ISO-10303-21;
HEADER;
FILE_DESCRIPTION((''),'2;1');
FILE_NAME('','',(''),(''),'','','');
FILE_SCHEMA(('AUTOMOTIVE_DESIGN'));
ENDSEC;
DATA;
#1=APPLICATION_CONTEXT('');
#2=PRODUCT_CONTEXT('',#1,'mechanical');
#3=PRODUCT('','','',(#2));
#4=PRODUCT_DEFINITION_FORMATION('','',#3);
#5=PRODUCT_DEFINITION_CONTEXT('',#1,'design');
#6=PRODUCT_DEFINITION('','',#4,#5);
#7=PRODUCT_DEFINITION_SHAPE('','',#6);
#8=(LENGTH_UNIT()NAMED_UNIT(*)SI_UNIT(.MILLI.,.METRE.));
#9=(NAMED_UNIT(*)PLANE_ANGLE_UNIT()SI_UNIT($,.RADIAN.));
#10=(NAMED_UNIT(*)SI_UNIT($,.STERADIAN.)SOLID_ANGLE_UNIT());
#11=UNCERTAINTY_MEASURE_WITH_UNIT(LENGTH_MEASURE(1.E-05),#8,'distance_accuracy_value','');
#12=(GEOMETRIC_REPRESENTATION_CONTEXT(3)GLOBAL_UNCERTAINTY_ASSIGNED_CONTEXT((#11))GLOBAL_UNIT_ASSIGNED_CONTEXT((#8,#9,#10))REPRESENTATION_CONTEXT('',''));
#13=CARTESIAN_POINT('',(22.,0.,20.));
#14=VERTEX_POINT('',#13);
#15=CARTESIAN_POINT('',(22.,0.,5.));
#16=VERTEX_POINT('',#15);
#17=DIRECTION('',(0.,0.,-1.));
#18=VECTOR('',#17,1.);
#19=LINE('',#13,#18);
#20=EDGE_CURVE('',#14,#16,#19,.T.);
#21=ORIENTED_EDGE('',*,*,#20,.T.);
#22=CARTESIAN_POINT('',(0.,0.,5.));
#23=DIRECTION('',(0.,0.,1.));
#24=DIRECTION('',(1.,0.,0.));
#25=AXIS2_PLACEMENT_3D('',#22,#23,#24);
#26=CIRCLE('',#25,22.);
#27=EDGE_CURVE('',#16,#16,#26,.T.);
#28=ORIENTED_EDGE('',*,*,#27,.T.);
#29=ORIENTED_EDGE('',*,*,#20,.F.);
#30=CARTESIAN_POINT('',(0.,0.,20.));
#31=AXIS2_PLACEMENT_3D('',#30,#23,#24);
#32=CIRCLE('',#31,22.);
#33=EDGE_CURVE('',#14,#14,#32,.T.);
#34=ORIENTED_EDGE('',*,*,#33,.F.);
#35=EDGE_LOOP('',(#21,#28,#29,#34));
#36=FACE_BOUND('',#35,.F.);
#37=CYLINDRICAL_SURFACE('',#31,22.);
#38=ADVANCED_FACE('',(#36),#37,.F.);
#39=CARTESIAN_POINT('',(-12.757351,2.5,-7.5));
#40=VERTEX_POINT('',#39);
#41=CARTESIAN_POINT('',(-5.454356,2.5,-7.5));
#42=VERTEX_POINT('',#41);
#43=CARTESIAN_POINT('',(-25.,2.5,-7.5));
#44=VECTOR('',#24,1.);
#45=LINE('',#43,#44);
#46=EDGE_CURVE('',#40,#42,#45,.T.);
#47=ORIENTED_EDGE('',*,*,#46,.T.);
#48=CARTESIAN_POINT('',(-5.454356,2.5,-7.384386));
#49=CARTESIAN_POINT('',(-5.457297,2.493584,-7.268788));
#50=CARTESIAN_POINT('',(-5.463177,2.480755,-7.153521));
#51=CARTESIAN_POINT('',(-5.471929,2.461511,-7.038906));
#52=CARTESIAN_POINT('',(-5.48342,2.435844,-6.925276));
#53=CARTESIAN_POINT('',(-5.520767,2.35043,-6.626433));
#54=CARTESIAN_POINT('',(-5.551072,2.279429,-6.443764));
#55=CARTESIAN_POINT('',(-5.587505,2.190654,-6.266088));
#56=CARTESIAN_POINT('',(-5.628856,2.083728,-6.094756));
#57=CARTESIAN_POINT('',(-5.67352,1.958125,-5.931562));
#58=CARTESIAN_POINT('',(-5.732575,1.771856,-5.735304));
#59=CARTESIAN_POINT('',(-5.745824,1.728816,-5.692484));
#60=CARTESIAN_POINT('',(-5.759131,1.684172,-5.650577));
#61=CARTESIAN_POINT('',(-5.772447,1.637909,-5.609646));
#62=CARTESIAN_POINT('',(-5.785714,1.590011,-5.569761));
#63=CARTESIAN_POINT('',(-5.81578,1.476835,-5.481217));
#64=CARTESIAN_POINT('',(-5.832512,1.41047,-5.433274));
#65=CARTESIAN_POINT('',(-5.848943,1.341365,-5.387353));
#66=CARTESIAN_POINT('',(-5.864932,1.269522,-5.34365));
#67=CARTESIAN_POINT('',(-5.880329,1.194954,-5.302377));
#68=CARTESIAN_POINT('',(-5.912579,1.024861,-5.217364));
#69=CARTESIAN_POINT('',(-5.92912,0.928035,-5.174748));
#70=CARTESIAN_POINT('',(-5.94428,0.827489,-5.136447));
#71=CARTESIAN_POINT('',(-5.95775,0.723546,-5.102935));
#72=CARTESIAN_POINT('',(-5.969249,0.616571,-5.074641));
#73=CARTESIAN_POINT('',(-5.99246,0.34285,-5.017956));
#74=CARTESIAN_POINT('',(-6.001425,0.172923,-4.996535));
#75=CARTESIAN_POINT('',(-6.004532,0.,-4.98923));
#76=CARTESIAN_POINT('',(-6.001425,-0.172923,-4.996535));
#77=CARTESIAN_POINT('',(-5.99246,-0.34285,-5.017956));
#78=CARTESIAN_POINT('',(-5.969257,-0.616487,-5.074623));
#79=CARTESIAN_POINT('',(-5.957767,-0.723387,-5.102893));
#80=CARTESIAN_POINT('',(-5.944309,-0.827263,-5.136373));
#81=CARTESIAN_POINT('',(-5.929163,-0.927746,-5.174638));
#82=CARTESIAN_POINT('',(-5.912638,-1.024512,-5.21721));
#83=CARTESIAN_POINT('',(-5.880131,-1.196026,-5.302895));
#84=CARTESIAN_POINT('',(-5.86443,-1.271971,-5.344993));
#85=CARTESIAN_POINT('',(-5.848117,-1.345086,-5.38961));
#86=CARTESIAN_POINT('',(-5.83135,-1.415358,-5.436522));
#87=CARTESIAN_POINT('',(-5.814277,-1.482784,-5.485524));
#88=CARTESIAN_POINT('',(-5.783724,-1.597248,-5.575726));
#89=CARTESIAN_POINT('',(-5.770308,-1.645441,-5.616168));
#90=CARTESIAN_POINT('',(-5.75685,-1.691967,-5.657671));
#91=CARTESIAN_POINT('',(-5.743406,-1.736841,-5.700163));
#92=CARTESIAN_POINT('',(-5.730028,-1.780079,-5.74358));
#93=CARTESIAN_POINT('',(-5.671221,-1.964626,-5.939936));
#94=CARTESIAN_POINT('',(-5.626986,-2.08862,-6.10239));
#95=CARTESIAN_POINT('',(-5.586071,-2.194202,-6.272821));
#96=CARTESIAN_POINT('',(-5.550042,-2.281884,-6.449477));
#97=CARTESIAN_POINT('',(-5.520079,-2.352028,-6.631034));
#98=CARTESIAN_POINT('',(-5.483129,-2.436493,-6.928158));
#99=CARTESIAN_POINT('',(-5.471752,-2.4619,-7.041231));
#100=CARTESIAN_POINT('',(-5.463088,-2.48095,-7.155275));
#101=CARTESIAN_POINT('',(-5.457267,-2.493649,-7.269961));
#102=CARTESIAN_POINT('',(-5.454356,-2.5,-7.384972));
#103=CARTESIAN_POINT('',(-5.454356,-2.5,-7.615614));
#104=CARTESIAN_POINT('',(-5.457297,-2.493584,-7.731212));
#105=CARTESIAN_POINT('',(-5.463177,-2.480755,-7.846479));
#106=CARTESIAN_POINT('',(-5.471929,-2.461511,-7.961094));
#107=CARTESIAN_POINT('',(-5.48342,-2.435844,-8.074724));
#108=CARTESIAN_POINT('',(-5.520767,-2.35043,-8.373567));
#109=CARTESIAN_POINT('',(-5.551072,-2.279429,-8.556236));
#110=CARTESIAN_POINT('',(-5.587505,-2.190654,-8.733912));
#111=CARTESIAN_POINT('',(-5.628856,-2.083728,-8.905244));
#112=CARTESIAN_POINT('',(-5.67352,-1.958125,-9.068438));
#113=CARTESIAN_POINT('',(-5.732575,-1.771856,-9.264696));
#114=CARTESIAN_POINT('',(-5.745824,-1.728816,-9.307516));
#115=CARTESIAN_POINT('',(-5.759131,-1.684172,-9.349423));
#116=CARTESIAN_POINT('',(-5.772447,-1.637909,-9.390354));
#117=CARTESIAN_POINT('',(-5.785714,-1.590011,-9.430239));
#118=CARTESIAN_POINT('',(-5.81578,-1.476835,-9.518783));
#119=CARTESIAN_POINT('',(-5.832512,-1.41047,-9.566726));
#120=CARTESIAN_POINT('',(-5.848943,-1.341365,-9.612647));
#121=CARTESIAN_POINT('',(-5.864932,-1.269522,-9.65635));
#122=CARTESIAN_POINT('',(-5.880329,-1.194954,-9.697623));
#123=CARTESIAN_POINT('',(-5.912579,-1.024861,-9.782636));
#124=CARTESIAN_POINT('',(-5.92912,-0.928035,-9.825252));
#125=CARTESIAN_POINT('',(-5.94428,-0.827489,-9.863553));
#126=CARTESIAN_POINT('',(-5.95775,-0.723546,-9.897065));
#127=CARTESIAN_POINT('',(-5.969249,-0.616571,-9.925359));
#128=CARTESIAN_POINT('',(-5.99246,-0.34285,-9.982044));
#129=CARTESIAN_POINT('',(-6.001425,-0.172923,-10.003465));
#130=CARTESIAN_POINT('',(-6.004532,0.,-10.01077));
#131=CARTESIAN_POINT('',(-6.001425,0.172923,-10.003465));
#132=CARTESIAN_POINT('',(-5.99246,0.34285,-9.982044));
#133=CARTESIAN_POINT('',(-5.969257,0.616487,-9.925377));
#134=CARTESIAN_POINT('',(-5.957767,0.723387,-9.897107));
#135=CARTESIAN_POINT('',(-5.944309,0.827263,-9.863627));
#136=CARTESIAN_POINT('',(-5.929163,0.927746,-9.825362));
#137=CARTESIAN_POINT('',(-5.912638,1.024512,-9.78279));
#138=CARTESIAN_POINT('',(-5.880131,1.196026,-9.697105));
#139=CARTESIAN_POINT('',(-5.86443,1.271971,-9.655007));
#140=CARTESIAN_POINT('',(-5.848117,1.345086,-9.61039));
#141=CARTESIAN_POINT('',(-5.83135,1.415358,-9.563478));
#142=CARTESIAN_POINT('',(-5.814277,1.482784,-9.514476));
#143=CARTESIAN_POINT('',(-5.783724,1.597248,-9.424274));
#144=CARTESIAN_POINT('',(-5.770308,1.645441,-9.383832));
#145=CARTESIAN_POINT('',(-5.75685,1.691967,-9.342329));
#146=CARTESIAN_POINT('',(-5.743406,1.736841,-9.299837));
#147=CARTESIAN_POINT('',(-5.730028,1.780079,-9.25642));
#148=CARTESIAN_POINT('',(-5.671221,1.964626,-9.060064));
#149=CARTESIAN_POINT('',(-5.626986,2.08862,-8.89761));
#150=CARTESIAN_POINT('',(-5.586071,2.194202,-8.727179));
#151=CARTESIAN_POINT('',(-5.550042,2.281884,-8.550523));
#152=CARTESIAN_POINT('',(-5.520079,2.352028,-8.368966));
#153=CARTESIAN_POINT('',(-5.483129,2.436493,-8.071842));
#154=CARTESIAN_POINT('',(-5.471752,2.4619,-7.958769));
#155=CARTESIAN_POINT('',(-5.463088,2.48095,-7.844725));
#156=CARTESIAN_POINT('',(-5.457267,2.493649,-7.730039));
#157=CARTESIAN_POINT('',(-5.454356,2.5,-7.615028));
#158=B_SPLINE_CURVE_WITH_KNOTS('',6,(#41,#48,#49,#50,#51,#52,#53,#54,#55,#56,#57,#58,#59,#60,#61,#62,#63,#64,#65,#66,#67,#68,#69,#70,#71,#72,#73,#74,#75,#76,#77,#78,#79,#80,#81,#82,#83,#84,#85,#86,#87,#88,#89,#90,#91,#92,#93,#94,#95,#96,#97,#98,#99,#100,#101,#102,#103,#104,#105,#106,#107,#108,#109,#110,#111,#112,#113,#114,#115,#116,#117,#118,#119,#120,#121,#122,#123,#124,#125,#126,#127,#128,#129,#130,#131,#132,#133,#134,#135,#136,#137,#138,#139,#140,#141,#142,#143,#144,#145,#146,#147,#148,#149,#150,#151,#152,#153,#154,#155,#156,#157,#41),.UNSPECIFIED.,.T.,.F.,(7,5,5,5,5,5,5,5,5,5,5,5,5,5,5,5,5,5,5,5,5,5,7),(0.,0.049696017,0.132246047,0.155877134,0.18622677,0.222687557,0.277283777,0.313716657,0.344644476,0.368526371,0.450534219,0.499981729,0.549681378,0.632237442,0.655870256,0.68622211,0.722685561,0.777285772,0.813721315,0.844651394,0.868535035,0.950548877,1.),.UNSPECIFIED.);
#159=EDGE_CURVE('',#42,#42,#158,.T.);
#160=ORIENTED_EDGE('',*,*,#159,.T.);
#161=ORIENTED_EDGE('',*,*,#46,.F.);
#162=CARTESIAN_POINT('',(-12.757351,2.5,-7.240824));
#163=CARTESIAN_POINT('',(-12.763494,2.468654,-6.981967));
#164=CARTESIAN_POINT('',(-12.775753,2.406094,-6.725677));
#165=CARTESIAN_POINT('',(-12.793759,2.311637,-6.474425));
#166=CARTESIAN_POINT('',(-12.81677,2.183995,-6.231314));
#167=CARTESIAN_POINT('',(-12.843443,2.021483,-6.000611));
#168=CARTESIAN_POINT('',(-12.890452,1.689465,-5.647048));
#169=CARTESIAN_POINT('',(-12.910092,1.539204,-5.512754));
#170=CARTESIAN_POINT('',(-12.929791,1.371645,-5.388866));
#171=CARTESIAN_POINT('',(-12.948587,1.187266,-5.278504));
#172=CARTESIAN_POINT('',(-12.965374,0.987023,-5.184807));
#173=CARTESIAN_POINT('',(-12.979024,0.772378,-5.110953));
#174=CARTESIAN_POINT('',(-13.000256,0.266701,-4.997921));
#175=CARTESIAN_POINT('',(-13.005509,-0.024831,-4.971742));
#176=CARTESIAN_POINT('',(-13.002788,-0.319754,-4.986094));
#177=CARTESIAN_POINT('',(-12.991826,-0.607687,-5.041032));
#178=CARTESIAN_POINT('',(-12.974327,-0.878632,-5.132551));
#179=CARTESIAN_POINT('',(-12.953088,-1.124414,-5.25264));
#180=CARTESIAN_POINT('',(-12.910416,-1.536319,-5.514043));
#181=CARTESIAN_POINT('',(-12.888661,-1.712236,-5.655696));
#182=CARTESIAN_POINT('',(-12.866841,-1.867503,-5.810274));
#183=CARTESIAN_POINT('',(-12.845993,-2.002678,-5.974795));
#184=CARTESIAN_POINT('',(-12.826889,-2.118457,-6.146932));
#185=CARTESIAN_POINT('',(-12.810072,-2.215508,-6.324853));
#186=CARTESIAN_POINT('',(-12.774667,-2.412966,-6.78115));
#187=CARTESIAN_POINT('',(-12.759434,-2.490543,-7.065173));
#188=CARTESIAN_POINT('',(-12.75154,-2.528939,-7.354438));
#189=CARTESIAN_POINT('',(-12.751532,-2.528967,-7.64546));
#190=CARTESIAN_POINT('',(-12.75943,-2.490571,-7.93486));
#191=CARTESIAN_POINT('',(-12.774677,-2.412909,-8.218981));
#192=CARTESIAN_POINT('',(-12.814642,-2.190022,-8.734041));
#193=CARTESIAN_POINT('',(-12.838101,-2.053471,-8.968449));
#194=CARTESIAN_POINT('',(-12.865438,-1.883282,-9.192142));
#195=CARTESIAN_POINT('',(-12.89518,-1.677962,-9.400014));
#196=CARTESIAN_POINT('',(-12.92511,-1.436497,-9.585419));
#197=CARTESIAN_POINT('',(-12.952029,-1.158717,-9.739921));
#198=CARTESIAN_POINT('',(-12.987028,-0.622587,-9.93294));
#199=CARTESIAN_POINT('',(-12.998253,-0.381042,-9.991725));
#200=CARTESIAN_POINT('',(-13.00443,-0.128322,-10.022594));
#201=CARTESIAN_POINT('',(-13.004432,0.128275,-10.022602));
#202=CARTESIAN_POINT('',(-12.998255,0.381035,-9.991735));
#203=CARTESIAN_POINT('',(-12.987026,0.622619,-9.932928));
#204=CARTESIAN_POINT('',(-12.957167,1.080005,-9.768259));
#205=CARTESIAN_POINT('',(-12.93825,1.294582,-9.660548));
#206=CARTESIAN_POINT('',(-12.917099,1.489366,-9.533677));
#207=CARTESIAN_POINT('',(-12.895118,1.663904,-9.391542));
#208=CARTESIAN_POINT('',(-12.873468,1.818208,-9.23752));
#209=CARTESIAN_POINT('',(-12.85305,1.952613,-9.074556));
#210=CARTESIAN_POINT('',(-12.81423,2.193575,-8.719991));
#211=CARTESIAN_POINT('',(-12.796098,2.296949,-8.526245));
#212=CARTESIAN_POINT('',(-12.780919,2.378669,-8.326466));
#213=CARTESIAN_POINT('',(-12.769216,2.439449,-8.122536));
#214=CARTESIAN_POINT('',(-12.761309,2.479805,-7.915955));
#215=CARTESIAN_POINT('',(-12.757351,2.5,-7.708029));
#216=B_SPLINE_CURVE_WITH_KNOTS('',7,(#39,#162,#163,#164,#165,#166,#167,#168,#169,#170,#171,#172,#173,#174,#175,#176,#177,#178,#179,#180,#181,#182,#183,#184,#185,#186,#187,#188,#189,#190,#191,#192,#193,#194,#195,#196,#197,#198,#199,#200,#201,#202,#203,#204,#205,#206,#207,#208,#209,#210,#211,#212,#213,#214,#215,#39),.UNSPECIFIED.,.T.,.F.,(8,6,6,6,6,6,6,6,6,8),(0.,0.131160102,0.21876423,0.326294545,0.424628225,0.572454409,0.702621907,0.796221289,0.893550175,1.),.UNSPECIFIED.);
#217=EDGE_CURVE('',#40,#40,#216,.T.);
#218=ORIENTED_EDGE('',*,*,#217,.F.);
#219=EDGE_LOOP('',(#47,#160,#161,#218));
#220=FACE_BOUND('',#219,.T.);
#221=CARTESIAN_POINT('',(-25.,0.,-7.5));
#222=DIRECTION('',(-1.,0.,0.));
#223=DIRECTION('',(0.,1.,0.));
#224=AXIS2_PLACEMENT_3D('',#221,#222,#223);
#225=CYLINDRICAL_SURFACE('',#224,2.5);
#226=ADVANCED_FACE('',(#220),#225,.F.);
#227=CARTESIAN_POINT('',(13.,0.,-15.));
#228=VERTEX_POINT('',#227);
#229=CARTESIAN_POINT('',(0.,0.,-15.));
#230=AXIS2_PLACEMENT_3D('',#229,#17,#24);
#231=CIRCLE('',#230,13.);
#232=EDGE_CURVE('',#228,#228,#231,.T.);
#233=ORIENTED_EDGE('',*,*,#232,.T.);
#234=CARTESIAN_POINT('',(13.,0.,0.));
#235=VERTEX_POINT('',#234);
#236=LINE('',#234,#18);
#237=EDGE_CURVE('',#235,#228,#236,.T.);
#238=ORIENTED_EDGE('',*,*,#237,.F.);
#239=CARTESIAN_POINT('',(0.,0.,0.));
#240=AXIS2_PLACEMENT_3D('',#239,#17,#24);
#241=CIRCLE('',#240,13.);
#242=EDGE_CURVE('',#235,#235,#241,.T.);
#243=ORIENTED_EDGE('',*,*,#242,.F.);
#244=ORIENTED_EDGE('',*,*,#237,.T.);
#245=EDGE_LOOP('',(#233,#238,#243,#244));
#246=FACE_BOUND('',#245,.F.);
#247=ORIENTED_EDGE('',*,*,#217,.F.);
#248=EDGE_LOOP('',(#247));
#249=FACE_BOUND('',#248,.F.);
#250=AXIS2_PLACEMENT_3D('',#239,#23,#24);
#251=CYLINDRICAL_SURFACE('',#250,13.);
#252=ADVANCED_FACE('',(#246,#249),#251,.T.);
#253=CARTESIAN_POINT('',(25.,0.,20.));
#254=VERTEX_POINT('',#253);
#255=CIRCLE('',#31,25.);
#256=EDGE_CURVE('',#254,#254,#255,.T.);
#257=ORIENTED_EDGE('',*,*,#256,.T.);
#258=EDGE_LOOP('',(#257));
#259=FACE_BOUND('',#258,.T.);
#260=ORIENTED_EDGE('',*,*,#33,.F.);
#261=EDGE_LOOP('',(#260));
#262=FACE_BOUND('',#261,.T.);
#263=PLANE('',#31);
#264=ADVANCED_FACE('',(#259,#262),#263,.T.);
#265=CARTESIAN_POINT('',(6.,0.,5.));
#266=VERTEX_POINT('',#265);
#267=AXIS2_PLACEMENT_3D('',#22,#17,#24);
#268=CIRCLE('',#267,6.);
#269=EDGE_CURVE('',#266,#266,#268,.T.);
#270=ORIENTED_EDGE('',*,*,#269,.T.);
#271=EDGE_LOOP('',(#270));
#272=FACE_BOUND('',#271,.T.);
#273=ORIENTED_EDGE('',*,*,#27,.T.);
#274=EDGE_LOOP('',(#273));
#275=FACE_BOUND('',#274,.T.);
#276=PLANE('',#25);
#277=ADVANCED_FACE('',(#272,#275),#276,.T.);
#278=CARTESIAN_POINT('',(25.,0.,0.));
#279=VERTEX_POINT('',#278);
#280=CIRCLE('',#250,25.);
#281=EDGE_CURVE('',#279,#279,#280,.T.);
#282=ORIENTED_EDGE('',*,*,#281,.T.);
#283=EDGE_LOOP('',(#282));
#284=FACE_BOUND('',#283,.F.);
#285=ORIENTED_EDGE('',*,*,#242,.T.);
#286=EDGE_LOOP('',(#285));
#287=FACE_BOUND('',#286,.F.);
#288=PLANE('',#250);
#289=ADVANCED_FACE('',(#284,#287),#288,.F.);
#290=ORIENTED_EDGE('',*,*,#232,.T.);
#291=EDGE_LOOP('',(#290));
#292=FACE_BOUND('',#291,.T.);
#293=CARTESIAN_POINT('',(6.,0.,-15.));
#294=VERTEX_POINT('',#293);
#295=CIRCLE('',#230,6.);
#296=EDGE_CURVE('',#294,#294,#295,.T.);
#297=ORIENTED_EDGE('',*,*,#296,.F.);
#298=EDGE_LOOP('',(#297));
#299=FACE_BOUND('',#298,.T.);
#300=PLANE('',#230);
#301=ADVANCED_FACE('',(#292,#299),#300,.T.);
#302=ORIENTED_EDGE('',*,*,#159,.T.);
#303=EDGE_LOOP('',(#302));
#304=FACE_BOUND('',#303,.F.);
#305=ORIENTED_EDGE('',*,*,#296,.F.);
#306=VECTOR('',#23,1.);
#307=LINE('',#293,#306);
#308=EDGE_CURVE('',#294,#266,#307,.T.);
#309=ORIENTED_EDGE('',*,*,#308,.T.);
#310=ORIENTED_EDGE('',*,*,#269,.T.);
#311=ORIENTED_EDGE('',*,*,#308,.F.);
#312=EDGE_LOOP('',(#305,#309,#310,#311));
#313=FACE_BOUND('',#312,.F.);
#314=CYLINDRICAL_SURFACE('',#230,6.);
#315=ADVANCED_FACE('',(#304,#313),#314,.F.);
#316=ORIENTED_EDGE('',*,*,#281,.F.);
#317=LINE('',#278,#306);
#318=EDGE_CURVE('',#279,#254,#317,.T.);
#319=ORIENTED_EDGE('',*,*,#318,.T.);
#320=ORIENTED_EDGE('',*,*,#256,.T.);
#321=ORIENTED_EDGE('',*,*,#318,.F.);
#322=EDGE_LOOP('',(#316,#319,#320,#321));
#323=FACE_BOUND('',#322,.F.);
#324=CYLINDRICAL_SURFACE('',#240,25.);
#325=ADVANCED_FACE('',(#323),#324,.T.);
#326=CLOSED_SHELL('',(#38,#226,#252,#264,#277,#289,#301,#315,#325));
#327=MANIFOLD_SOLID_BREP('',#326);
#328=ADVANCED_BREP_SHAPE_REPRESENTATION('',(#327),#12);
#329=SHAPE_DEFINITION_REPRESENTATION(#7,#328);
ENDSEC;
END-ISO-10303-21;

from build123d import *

# Parameters (mm, degrees)
F0_R      = 25
F1_DEPTH  = 20
F2_R      = 13
F3_DEPTH  = 15
F4_R      = 22
F5_DEPTH  = 15
F6_R      = 6
F7_DEPTH  = 35.001
F9_R      = 2.5
F10_DEPTH = 25


with BuildPart() as f1:
    # F0 (on Top) → F1 (new body)
    with BuildSketch(Plane.XY):
        Circle(F0_R)
    extrude(amount=F1_DEPTH)

    # F2 (on face) → F3 (join)
    with BuildSketch(Plane(origin=(0, 0, 0), x_dir=(1, 0, 0), z_dir=(0, 0, -1))):
        Circle(F2_R)
    extrude(amount=F3_DEPTH)

    # F4 (on face) → F5 (cut)
    with BuildSketch(Plane.XY.offset(20)):
        Circle(F4_R)
    extrude(amount=-F5_DEPTH, mode=Mode.SUBTRACT)

    # F6 (on face) → F7 (cut, through all)
    with BuildSketch(Plane(origin=(0, 0, -15), x_dir=(1, 0, 0), z_dir=(0, 0, -1))):
        Circle(F6_R)
    extrude(amount=-F7_DEPTH, mode=Mode.SUBTRACT)

    # F9 (on offset) → F10 (cut)
    with BuildSketch(Plane.YZ.offset(-25)):
        with Locations((0, -7.5)):
            Circle(F9_R)
    extrude(amount=F10_DEPTH, mode=Mode.SUBTRACT)


solid = f1.part
